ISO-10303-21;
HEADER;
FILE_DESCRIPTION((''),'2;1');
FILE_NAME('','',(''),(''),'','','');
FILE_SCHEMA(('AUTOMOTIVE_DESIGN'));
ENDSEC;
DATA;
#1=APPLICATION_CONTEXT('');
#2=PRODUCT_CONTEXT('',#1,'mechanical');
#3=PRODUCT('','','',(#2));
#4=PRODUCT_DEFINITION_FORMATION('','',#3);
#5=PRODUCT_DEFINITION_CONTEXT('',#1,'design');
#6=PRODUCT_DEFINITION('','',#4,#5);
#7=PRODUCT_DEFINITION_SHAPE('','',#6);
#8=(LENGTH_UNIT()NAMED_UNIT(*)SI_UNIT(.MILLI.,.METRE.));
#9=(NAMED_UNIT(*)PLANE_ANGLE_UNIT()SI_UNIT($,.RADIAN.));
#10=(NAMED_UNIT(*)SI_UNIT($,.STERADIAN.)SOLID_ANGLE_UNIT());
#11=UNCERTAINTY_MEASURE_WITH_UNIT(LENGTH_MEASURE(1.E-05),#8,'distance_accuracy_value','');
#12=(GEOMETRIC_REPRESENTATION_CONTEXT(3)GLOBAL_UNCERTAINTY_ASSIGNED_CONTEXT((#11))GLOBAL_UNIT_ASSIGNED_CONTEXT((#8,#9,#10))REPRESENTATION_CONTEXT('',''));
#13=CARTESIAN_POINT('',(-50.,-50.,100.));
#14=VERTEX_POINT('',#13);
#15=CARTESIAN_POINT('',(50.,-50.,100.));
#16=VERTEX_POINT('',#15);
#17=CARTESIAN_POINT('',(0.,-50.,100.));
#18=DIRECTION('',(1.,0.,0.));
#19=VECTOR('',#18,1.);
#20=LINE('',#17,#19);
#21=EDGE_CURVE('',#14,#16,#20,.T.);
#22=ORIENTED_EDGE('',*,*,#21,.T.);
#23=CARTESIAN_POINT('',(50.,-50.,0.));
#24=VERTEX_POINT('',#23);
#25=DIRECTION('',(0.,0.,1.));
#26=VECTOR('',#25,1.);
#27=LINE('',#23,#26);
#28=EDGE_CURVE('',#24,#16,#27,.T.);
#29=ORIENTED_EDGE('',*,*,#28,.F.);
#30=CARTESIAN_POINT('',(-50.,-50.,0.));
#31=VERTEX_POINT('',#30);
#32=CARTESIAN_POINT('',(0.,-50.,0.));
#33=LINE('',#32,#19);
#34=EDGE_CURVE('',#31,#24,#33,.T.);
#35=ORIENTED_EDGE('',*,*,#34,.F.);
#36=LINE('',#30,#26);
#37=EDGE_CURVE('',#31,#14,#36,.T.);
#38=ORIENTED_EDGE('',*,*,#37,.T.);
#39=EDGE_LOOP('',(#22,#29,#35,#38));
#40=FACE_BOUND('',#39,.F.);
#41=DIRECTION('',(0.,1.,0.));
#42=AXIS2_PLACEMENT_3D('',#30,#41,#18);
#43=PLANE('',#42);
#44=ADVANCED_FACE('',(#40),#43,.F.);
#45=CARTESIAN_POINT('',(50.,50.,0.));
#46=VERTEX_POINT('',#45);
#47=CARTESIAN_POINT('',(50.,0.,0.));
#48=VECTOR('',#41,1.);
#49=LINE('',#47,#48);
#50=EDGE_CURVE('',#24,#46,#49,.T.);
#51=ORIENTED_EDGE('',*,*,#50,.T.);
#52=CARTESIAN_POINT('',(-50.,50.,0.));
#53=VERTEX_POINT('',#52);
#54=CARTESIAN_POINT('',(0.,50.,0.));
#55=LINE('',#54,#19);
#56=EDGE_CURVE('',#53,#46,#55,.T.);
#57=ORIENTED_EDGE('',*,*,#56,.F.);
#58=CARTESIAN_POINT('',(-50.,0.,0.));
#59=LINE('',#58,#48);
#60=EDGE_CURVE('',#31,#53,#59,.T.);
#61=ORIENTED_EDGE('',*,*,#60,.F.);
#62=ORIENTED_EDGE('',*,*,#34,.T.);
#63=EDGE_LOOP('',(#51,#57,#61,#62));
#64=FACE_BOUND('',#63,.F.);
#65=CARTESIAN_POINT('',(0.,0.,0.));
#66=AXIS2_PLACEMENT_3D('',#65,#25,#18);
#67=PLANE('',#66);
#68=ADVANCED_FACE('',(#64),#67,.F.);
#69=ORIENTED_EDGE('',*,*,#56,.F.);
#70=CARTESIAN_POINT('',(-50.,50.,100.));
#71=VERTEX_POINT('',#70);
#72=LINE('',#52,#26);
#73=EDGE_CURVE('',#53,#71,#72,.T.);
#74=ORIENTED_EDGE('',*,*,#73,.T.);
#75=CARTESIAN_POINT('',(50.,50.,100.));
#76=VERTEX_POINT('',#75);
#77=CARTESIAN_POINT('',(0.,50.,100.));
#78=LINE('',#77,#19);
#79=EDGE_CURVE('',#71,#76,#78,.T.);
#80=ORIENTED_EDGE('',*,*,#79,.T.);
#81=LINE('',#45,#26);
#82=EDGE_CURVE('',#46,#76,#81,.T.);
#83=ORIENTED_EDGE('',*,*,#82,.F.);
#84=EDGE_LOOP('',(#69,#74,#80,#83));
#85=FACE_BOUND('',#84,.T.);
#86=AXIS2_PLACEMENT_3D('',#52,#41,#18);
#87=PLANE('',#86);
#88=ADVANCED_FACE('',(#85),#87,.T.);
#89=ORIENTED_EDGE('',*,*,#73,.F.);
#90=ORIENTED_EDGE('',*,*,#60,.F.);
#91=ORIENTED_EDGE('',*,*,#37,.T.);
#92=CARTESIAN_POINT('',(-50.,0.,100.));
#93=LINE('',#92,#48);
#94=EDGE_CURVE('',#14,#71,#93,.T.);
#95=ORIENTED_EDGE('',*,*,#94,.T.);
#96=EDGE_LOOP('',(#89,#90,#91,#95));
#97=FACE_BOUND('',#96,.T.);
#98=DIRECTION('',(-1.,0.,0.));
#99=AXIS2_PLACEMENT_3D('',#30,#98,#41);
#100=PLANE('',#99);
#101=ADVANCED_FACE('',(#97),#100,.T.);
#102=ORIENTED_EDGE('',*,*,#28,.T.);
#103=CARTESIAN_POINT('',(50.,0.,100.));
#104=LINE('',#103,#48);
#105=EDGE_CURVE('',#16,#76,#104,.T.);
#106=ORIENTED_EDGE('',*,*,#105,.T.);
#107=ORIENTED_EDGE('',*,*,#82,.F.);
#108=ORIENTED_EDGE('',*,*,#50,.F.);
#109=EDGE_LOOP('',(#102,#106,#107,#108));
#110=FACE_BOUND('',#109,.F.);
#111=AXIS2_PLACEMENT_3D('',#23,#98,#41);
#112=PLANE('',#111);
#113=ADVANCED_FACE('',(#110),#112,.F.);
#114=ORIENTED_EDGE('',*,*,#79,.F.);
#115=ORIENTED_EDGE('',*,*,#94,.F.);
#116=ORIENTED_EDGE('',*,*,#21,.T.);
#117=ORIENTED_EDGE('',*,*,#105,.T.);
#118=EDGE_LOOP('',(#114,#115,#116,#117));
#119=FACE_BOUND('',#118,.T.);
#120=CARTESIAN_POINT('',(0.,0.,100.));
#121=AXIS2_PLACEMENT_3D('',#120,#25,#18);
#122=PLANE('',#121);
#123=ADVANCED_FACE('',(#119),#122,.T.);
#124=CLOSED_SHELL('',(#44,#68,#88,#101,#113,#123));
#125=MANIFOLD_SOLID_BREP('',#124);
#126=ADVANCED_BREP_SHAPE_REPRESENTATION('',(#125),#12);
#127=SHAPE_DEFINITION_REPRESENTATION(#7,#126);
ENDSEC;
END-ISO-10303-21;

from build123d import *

# Parameters (mm, degrees)
SKETCH_1_W      = 100
SKETCH_1_H      = 100
EXTRUDE_1_DEPTH = 100


with BuildPart() as part:
    # 草图1 → 凸台-拉伸1 (new body)
    with BuildSketch(Plane.XY):
        Rectangle(SKETCH_1_W, SKETCH_1_H)
    extrude(amount=EXTRUDE_1_DEPTH)


solid = part.part
